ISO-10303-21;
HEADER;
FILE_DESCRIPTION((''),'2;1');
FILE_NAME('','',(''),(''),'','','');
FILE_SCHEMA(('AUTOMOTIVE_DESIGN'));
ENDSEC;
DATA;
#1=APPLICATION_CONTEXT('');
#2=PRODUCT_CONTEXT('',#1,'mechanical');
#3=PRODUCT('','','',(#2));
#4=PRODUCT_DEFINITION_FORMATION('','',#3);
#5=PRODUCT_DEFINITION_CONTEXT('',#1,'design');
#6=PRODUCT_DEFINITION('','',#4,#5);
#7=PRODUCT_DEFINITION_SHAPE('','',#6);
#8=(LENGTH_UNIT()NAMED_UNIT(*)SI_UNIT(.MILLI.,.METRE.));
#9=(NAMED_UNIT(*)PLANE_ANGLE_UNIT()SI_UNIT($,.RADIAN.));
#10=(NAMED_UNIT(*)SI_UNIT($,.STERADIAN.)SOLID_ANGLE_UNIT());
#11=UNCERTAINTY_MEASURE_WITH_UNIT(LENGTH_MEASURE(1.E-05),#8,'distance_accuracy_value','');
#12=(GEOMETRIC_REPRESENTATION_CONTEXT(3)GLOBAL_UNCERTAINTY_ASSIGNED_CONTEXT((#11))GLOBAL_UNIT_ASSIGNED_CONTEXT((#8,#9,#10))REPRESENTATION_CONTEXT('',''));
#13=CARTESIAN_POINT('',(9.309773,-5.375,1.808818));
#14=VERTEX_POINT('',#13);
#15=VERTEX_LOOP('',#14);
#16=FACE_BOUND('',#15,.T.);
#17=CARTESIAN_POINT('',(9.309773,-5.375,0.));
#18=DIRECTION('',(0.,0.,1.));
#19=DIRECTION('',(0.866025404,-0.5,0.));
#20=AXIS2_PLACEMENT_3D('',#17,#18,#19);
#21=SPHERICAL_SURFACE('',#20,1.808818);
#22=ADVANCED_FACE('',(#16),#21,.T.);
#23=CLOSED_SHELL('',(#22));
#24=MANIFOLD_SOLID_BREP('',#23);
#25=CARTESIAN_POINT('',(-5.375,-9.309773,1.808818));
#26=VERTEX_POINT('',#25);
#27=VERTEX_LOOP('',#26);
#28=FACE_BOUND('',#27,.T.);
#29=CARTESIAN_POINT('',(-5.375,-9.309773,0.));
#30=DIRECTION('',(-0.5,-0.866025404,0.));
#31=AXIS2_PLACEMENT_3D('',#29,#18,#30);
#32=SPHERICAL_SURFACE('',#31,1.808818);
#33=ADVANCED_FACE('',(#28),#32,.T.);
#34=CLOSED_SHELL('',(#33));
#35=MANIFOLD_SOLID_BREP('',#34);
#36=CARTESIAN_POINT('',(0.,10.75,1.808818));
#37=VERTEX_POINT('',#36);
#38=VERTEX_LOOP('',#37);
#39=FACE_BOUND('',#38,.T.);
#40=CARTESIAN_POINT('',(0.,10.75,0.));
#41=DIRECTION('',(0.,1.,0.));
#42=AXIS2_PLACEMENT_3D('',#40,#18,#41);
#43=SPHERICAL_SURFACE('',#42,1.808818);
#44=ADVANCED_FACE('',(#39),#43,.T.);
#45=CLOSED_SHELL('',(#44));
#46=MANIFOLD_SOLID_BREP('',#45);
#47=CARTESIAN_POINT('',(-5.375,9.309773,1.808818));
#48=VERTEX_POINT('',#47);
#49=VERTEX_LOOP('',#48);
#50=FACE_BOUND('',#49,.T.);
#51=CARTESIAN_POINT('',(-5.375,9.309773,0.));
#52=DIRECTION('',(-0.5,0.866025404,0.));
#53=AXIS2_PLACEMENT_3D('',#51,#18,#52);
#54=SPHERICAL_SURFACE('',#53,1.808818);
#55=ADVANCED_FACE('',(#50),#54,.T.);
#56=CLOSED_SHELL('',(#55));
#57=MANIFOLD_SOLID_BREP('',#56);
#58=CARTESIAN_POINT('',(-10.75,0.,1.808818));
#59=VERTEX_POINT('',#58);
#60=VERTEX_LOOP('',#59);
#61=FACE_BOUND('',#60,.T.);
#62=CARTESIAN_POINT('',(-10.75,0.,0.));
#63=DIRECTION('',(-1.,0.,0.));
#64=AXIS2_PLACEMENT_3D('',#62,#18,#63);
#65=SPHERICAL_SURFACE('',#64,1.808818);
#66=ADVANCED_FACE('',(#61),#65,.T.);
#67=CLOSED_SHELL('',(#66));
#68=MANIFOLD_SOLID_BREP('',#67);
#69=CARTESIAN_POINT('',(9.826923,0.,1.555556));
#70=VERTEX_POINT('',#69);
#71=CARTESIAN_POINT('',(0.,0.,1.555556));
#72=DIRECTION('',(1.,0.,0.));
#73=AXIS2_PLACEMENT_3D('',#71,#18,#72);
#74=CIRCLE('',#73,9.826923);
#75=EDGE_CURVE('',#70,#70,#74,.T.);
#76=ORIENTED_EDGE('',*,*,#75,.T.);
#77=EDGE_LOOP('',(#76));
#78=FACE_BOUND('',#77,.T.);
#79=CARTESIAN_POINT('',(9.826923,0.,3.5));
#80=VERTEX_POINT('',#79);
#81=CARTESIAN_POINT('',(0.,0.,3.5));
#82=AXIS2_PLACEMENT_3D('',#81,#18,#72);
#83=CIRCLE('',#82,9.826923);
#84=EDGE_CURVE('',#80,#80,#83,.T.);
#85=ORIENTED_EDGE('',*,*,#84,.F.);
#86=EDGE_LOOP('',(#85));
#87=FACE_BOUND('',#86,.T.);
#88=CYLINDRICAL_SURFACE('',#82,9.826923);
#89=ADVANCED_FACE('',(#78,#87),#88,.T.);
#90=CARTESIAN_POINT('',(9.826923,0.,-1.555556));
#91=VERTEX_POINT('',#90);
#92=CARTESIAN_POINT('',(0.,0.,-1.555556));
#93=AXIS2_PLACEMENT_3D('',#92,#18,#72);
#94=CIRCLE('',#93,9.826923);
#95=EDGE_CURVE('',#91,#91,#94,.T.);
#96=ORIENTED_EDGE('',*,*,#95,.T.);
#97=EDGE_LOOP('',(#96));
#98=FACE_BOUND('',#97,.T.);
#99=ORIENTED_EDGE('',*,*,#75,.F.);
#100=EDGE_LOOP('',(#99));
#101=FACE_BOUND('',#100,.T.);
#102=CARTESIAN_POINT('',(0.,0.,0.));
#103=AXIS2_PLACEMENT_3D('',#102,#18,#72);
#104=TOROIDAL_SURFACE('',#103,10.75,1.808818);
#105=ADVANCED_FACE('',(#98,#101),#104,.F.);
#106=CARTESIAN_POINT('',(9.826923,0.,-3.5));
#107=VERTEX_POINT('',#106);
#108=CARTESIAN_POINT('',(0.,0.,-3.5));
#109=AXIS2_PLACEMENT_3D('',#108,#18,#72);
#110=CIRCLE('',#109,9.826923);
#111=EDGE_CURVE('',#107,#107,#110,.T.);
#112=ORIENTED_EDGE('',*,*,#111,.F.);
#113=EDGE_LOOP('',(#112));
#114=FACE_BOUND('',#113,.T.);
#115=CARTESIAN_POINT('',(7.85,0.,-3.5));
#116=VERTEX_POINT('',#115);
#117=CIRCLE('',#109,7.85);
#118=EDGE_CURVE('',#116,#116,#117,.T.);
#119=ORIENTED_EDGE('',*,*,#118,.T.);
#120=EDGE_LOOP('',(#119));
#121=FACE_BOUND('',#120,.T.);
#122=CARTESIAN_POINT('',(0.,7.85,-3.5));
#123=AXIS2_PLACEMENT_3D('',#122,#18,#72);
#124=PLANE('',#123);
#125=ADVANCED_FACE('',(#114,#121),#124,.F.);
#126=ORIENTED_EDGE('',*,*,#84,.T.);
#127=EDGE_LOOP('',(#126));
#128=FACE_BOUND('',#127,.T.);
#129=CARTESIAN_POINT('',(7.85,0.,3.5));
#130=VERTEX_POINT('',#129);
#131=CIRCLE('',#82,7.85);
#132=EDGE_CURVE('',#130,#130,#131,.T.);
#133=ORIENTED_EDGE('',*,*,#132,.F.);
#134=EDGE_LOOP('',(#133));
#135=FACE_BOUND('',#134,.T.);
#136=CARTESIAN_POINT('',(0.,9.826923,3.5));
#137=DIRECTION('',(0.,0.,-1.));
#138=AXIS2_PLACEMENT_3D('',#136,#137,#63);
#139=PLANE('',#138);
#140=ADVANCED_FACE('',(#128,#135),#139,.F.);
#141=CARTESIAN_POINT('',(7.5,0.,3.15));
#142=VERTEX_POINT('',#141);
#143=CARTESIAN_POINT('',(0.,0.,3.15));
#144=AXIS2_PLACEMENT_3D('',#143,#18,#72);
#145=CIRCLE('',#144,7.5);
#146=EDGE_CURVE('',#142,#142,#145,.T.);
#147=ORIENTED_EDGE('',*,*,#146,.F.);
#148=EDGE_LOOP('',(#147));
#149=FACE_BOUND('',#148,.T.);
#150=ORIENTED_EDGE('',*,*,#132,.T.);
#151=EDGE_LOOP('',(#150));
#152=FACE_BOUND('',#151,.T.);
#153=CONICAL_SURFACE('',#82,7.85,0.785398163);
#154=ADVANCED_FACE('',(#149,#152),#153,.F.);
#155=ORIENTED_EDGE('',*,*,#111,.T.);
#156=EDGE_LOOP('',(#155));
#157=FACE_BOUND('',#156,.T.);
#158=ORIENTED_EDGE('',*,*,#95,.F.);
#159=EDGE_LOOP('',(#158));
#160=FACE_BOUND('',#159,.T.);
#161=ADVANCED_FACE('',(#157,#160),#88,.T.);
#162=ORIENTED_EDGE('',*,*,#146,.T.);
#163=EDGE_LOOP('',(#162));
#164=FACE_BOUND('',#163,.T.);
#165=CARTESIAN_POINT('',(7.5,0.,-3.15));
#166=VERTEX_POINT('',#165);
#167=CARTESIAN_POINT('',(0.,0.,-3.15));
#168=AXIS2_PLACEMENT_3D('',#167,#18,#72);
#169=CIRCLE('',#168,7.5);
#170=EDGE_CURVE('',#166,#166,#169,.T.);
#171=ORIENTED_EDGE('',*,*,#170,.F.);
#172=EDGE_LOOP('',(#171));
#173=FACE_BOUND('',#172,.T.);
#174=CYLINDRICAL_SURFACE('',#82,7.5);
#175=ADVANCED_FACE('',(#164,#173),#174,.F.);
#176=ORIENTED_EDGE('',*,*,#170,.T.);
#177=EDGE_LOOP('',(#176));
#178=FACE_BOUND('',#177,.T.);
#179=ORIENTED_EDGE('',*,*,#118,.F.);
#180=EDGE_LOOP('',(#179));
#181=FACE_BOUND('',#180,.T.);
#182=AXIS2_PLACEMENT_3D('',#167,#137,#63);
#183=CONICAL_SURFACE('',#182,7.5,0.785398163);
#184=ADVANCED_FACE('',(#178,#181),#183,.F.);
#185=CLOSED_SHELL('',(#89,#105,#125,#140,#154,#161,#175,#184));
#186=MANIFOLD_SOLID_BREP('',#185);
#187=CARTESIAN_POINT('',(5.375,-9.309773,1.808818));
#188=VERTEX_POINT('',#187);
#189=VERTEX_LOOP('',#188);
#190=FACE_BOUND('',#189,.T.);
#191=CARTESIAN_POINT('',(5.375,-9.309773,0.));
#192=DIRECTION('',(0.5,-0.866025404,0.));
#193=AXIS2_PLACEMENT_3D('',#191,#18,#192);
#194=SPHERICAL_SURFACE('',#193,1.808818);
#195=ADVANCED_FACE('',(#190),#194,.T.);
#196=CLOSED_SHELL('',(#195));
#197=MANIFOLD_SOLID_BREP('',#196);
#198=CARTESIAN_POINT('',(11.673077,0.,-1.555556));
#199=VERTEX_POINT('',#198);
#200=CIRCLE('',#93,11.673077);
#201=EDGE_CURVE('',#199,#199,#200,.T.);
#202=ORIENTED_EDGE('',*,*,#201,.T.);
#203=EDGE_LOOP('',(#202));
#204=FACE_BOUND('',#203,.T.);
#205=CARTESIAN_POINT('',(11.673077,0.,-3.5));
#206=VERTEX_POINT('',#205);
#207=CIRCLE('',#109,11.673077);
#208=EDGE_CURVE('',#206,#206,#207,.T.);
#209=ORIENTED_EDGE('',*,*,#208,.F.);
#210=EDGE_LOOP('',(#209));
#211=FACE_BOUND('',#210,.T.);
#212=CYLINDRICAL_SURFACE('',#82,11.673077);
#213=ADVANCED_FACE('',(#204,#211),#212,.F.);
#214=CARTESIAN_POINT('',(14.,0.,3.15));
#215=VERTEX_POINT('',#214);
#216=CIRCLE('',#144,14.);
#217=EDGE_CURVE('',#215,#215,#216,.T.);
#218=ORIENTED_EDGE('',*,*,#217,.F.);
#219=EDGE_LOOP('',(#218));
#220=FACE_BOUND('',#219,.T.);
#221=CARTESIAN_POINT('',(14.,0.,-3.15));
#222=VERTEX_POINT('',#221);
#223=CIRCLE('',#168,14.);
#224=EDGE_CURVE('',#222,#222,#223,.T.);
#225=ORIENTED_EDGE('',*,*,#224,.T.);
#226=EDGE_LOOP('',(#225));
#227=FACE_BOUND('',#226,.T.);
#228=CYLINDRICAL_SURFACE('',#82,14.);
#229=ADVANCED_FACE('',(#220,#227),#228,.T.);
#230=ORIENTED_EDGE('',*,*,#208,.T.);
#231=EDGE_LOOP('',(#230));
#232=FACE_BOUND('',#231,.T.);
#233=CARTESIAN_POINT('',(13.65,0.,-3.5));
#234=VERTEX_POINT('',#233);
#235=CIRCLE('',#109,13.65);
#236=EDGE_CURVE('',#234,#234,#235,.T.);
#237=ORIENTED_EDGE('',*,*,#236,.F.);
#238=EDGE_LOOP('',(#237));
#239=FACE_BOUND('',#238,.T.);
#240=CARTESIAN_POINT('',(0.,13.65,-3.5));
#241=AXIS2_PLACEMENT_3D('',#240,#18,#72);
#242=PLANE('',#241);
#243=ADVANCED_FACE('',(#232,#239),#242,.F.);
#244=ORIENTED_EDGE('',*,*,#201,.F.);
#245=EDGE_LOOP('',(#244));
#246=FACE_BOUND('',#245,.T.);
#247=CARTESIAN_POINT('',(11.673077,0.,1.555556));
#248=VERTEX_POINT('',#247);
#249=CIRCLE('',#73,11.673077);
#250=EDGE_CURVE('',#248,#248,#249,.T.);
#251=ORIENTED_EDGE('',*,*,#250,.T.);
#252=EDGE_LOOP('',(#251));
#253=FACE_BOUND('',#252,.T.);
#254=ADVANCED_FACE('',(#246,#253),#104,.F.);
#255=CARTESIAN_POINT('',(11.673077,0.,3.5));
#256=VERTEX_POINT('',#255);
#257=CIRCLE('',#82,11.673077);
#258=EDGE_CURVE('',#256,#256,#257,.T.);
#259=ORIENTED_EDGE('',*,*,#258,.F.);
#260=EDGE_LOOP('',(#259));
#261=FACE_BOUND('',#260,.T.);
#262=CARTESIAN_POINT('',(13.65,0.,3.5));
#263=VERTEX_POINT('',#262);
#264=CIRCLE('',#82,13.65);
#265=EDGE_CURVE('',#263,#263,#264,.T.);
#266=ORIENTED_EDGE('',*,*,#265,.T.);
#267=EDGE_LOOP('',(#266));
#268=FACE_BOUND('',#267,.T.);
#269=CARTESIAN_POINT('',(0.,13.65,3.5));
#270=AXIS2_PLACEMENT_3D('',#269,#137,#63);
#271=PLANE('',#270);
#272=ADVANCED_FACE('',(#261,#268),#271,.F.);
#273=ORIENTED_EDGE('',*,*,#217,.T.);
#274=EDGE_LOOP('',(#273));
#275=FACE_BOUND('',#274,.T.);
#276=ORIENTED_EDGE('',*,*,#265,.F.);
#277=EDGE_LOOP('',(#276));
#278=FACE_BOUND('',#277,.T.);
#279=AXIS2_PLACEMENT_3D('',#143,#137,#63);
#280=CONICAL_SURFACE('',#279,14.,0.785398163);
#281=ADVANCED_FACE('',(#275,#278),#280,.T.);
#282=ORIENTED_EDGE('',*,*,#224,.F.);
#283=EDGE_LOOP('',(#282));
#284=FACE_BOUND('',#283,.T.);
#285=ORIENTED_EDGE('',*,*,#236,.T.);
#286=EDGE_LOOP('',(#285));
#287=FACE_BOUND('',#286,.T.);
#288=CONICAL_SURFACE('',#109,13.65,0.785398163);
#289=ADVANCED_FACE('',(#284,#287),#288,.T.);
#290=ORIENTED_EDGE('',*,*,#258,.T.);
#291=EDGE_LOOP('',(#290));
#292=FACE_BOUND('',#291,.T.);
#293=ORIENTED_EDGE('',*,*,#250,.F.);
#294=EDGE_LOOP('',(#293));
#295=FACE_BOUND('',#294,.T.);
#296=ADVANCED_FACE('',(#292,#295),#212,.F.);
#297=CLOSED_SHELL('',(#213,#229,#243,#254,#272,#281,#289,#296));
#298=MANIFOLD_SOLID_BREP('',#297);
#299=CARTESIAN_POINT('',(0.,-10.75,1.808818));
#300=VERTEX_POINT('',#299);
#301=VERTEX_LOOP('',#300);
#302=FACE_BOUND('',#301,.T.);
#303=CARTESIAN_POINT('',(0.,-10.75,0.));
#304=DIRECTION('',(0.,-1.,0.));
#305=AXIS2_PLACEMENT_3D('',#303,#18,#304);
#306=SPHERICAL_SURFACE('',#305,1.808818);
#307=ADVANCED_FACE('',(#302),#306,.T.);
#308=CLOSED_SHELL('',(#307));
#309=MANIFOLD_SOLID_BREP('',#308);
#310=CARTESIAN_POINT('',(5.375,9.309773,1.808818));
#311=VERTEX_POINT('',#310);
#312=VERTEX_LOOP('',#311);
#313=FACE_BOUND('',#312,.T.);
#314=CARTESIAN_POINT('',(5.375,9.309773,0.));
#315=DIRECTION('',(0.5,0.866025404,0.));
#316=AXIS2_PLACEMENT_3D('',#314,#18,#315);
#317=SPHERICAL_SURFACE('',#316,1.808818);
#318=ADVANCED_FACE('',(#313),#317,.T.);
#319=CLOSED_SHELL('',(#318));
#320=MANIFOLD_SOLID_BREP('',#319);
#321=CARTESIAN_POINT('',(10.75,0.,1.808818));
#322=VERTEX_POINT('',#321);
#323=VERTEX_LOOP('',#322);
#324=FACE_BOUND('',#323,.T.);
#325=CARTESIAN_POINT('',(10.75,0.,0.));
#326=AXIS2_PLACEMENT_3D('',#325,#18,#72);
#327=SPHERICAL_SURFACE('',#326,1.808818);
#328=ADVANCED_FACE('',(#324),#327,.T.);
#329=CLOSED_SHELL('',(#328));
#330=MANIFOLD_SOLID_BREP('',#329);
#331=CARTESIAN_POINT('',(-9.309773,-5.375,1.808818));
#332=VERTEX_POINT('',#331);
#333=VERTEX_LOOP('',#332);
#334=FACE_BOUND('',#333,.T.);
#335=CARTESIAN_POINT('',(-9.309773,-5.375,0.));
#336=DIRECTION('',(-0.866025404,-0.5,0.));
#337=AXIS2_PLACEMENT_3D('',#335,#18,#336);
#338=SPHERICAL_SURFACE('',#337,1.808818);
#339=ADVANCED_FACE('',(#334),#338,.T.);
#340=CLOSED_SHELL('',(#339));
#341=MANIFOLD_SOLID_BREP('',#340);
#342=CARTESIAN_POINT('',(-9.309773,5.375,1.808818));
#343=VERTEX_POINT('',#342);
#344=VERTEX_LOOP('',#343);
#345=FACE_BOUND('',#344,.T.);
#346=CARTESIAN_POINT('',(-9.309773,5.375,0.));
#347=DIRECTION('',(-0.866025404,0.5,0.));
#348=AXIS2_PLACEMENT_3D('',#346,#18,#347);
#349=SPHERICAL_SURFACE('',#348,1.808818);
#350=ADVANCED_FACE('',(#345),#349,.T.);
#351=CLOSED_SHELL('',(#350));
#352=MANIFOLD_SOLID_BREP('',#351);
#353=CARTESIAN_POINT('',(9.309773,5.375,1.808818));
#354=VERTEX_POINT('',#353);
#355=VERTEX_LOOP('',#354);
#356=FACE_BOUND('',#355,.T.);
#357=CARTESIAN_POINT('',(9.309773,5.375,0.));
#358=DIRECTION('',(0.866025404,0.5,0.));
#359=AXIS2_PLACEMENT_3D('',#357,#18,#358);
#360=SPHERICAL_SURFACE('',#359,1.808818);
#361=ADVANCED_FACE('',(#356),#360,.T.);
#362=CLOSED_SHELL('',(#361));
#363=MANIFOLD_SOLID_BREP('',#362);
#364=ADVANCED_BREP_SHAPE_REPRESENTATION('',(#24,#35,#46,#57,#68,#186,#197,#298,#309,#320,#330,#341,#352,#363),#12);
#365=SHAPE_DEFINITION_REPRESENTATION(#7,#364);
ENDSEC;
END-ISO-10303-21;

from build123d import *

# Parameters (mm, degrees)
CIRPATTERN1_COUNT = 12


with BuildPart() as part:
    # Sketch1 → Revolve1 (revolve)
    with BuildSketch(Plane(origin=(0, 0, 0), x_dir=(0, 0, -1), z_dir=(1, 0, 0))):
        with BuildLine():
            Line((3.15, 14), (-3.15, 14))
            Line((-3.15, 14), (-3.5, 13.65))
            Line((-3.5, 13.65), (-3.5, 11.673076923))
            Line((-3.5, 11.673076923), (-1.555555556, 11.673076923))
            ThreePointArc((-1.555555556, 11.673076923), (0, 12.558818424), (1.555555556, 11.673076923))
            Line((1.555555556, 11.673076923), (3.5, 11.673076923))
            Line((3.5, 11.673076923), (3.5, 13.65))
            Line((3.5, 13.65), (3.15, 14))
        make_face()
    revolve(axis=Axis((0, 0, 3.5), (0, 0, -1)))


with BuildPart() as body_2:
    # Sketch3 → Revolve3 (revolve)
    with BuildSketch(Plane(origin=(0, 0, 0), x_dir=(0, 0, -1), z_dir=(1, 0, 0))):
        with BuildLine():
            Line((-3.5, 9.826923077), (-1.555555556, 9.826923077))
            ThreePointArc((-1.555555556, 9.826923077), (0, 8.941181576), (1.555555556, 9.826923077))
            Line((1.555555556, 9.826923077), (3.5, 9.826923077))
            Line((3.5, 9.826923077), (3.5, 7.85))
            Line((3.5, 7.85), (3.15, 7.5))
            Line((3.15, 7.5), (-3.15, 7.5))
            Line((-3.15, 7.5), (-3.5, 7.85))
            Line((-3.5, 7.85), (-3.5, 9.826923077))
        make_face()
    revolve(axis=Axis((0, 0, 3.5), (0, 0, -1)))


with BuildPart() as body_3:
    # Sketch4 → Revolve4 (revolve)
    with BuildSketch(Plane(origin=(0, 0, 0), x_dir=(0, 0, -1), z_dir=(1, 0, 0))):
        with BuildLine():
            Line((-1.808818424, 10.75), (1.808818424, 10.75))
            ThreePointArc((1.808818424, 10.75), (0, 12.558818424), (-1.808818424, 10.75))
        make_face()
    revolve(axis=Axis((0, 10.75, 1.808818424), (0, 0, -1)))


with BuildPart() as cirpattern1_1:
    # CirPattern1: pattern copy
    add(body_3.part.rotate(Axis((0, 0, -3.5), (0, 0, 1)), 1 * 360 / CIRPATTERN1_COUNT))


with BuildPart() as cirpattern1_2:
    # CirPattern1: pattern copy
    add(body_3.part.rotate(Axis((0, 0, -3.5), (0, 0, 1)), 2 * 360 / CIRPATTERN1_COUNT))


with BuildPart() as cirpattern1_3:
    # CirPattern1: pattern copy
    add(body_3.part.rotate(Axis((0, 0, -3.5), (0, 0, 1)), 3 * 360 / CIRPATTERN1_COUNT))


with BuildPart() as cirpattern1_4:
    # CirPattern1: pattern copy
    add(body_3.part.rotate(Axis((0, 0, -3.5), (0, 0, 1)), 4 * 360 / CIRPATTERN1_COUNT))


with BuildPart() as cirpattern1_5:
    # CirPattern1: pattern copy
    add(body_3.part.rotate(Axis((0, 0, -3.5), (0, 0, 1)), 5 * 360 / CIRPATTERN1_COUNT))


with BuildPart() as cirpattern1_6:
    # CirPattern1: pattern copy
    add(body_3.part.rotate(Axis((0, 0, -3.5), (0, 0, 1)), 6 * 360 / CIRPATTERN1_COUNT))


with BuildPart() as cirpattern1_7:
    # CirPattern1: pattern copy
    add(body_3.part.rotate(Axis((0, 0, -3.5), (0, 0, 1)), 7 * 360 / CIRPATTERN1_COUNT))


with BuildPart() as cirpattern1_8:
    # CirPattern1: pattern copy
    add(body_3.part.rotate(Axis((0, 0, -3.5), (0, 0, 1)), 8 * 360 / CIRPATTERN1_COUNT))


with BuildPart() as cirpattern1_9:
    # CirPattern1: pattern copy
    add(body_3.part.rotate(Axis((0, 0, -3.5), (0, 0, 1)), 9 * 360 / CIRPATTERN1_COUNT))


with BuildPart() as cirpattern1_10:
    # CirPattern1: pattern copy
    add(body_3.part.rotate(Axis((0, 0, -3.5), (0, 0, 1)), 10 * 360 / CIRPATTERN1_COUNT))


with BuildPart() as cirpattern1_11:
    # CirPattern1: pattern copy
    add(body_3.part.rotate(Axis((0, 0, -3.5), (0, 0, 1)), 11 * 360 / CIRPATTERN1_COUNT))


solid = Compound([part.part, body_2.part, body_3.part, cirpattern1_1.part, cirpattern1_2.part, cirpattern1_3.part, cirpattern1_4.part, cirpattern1_5.part, cirpattern1_6.part, cirpattern1_7.part, cirpattern1_8.part, cirpattern1_9.part, cirpattern1_10.part, cirpattern1_11.part])
